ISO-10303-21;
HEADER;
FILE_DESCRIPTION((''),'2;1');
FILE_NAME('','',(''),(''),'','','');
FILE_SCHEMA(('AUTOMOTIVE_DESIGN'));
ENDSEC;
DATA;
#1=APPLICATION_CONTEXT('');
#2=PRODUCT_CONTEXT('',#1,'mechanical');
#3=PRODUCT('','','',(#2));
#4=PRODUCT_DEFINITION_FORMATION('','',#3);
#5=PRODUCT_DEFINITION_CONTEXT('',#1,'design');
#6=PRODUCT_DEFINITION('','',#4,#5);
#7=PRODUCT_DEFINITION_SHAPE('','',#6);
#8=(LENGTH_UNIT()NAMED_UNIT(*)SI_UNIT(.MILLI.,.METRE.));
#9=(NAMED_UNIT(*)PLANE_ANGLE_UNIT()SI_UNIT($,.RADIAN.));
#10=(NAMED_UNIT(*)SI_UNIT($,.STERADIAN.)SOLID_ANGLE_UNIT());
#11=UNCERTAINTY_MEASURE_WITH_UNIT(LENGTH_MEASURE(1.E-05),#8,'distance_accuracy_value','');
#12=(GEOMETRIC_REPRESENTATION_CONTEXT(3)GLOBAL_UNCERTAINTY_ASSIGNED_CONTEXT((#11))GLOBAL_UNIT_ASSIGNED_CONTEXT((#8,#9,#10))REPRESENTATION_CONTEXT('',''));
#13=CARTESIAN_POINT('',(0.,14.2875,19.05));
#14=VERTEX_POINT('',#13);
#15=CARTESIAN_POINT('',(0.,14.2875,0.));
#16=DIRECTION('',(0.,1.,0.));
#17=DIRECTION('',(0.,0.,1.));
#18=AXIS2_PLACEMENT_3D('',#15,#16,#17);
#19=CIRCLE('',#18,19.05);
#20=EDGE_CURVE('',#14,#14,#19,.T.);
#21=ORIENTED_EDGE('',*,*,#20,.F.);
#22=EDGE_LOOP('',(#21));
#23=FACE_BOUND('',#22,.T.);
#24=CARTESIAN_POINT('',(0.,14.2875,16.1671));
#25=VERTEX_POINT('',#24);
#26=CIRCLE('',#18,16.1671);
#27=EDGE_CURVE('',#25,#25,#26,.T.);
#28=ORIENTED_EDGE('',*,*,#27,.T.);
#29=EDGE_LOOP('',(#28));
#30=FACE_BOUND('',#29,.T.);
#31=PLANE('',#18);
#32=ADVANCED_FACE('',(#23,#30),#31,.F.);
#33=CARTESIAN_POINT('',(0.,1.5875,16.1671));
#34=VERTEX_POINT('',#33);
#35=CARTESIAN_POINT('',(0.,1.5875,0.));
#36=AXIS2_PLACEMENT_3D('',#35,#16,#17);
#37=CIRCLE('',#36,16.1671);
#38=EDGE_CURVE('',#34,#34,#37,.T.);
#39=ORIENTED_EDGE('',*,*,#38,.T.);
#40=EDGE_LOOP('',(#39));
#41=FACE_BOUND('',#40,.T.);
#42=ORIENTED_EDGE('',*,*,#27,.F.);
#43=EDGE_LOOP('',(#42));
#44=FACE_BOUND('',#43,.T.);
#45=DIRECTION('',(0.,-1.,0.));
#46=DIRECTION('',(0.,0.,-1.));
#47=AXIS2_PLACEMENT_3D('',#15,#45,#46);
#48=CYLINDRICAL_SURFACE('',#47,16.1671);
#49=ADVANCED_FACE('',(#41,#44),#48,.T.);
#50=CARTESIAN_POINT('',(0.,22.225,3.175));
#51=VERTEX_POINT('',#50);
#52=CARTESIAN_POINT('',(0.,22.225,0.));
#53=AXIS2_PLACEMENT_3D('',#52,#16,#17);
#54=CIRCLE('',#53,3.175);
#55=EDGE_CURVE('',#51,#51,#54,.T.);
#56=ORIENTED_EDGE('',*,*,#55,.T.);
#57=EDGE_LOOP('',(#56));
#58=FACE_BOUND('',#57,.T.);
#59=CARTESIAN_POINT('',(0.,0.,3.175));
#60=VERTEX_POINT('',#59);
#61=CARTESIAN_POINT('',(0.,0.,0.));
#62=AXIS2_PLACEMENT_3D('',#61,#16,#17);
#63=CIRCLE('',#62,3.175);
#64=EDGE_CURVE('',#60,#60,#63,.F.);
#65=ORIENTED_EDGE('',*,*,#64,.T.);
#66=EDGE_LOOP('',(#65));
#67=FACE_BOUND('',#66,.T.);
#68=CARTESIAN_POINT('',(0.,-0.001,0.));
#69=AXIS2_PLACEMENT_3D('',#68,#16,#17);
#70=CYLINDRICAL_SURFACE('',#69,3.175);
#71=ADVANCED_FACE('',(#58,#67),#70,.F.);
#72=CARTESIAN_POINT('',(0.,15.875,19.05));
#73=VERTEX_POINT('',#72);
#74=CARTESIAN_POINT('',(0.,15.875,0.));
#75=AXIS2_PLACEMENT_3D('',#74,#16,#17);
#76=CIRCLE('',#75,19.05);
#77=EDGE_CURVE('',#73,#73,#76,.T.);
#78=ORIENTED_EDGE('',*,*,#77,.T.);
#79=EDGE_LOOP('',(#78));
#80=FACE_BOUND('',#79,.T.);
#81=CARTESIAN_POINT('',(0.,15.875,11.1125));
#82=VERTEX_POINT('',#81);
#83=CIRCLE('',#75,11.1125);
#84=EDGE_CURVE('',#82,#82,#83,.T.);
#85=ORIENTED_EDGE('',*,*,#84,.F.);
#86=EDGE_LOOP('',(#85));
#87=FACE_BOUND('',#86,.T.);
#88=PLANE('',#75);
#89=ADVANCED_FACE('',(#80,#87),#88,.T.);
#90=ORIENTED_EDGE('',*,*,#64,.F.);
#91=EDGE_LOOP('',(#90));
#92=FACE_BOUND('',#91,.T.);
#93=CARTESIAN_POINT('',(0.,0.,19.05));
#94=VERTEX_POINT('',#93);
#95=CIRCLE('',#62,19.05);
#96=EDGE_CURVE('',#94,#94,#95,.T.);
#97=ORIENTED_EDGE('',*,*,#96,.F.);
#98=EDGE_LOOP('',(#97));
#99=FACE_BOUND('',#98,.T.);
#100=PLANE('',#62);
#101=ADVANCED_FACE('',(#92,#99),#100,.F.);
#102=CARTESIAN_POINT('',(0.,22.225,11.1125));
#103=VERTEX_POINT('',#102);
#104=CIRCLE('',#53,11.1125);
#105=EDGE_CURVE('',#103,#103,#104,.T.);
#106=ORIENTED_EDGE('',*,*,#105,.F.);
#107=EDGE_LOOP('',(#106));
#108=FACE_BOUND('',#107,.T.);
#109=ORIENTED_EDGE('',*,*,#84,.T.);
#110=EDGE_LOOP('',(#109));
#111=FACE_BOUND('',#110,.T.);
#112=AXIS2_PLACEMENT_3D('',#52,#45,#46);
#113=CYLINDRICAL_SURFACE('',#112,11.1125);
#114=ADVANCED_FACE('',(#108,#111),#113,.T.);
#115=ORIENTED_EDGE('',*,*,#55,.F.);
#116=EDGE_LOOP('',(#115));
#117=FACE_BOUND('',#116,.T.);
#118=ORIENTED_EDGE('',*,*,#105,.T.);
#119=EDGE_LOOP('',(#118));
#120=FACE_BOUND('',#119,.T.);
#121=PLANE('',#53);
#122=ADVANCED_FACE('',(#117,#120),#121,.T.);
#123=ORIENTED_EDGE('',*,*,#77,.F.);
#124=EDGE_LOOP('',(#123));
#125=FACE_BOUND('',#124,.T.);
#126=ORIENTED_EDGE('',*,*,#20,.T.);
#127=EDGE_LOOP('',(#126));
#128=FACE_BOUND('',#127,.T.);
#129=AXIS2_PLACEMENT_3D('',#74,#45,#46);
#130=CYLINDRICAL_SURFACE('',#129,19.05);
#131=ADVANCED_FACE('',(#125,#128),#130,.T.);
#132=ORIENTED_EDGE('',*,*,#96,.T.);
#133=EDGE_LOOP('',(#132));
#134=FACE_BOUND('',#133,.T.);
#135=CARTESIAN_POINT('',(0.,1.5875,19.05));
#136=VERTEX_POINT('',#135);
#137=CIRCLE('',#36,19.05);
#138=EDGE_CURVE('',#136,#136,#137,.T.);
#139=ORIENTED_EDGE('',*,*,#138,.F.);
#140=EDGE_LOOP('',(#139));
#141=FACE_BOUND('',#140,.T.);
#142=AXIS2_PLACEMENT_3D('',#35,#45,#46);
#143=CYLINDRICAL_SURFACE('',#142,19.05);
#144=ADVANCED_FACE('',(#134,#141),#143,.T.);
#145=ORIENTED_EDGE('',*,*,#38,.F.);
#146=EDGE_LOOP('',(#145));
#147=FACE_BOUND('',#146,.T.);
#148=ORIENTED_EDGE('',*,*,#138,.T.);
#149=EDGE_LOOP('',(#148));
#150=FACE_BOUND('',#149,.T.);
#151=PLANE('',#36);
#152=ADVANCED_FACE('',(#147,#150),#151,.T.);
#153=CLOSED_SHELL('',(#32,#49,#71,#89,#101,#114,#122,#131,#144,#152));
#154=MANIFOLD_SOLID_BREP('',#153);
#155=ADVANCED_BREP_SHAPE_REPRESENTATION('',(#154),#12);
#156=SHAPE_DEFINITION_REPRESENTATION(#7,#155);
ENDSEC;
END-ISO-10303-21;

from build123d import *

# Parameters (mm, degrees)
SKETCH1_R           = 19.05
BOSS_EXTRUDE1_DEPTH = 1.5875
SKETCH2_R           = 16.1671
BOSS_EXTRUDE2_DEPTH = 12.7
SKETCH3_R           = 19.05
BOSS_EXTRUDE3_DEPTH = 1.5875
SKETCH4_R           = 11.1125
BOSS_EXTRUDE4_DEPTH = 6.35
CUT_EXTRUDE1_REACH  = 36.925
SKETCH5_R           = 3.175


with BuildPart() as part:
    # Sketch1 → Boss-Extrude1 (new body)
    with BuildSketch(Plane(origin=(0, 0, 0), x_dir=(1, 0, 0), z_dir=(0, 1, 0))):
        with Locations(Location((0, 0, 0), (0, 0, 270))):
            Circle(SKETCH1_R)
    extrude(amount=BOSS_EXTRUDE1_DEPTH)

    # Sketch2 → Boss-Extrude2 (add)
    with BuildSketch(Plane(origin=(0, 1.5875, 0), x_dir=(1, 0, 0), z_dir=(0, 1, 0))):
        with Locations(Location((0, 0, 0), (0, 0, 270))):
            Circle(SKETCH2_R)
    extrude(amount=BOSS_EXTRUDE2_DEPTH)

    # Sketch3 → Boss-Extrude3 (add)
    with BuildSketch(Plane(origin=(0, 14.2875, 0), x_dir=(1, 0, 0), z_dir=(0, 1, 0))):
        with Locations(Location((0, 0, 0), (0, 0, 270))):
            Circle(SKETCH3_R)
    extrude(amount=BOSS_EXTRUDE3_DEPTH)

    # Sketch4 → Boss-Extrude4 (add)
    with BuildSketch(Plane(origin=(0, 15.875, 0), x_dir=(1, 0, 0), z_dir=(0, 1, 0))):
        with Locations(Location((0, 0, 0), (0, 0, 270))):
            Circle(SKETCH4_R)
    extrude(amount=BOSS_EXTRUDE4_DEPTH)

    # Sketch5 → Cut-Extrude1 (cut, up to next)
    with BuildSketch(Plane(origin=(0, 22.225, 0), x_dir=(1, 0, 0), z_dir=(0, 1, 0)), mode=Mode.PRIVATE) as cut_extrude1_sk1:
        with Locations(Location((0, 0, 0), (0, 0, 270))):
            Circle(SKETCH5_R)
    cut_extrude1_tool1 = extrude(cut_extrude1_sk1.sketch, amount=-CUT_EXTRUDE1_REACH, mode=Mode.PRIVATE) & part.part
    add(cut_extrude1_tool1.solids().sort_by_distance((0, 22.225, 0))[0], mode=Mode.SUBTRACT)


solid = part.part
